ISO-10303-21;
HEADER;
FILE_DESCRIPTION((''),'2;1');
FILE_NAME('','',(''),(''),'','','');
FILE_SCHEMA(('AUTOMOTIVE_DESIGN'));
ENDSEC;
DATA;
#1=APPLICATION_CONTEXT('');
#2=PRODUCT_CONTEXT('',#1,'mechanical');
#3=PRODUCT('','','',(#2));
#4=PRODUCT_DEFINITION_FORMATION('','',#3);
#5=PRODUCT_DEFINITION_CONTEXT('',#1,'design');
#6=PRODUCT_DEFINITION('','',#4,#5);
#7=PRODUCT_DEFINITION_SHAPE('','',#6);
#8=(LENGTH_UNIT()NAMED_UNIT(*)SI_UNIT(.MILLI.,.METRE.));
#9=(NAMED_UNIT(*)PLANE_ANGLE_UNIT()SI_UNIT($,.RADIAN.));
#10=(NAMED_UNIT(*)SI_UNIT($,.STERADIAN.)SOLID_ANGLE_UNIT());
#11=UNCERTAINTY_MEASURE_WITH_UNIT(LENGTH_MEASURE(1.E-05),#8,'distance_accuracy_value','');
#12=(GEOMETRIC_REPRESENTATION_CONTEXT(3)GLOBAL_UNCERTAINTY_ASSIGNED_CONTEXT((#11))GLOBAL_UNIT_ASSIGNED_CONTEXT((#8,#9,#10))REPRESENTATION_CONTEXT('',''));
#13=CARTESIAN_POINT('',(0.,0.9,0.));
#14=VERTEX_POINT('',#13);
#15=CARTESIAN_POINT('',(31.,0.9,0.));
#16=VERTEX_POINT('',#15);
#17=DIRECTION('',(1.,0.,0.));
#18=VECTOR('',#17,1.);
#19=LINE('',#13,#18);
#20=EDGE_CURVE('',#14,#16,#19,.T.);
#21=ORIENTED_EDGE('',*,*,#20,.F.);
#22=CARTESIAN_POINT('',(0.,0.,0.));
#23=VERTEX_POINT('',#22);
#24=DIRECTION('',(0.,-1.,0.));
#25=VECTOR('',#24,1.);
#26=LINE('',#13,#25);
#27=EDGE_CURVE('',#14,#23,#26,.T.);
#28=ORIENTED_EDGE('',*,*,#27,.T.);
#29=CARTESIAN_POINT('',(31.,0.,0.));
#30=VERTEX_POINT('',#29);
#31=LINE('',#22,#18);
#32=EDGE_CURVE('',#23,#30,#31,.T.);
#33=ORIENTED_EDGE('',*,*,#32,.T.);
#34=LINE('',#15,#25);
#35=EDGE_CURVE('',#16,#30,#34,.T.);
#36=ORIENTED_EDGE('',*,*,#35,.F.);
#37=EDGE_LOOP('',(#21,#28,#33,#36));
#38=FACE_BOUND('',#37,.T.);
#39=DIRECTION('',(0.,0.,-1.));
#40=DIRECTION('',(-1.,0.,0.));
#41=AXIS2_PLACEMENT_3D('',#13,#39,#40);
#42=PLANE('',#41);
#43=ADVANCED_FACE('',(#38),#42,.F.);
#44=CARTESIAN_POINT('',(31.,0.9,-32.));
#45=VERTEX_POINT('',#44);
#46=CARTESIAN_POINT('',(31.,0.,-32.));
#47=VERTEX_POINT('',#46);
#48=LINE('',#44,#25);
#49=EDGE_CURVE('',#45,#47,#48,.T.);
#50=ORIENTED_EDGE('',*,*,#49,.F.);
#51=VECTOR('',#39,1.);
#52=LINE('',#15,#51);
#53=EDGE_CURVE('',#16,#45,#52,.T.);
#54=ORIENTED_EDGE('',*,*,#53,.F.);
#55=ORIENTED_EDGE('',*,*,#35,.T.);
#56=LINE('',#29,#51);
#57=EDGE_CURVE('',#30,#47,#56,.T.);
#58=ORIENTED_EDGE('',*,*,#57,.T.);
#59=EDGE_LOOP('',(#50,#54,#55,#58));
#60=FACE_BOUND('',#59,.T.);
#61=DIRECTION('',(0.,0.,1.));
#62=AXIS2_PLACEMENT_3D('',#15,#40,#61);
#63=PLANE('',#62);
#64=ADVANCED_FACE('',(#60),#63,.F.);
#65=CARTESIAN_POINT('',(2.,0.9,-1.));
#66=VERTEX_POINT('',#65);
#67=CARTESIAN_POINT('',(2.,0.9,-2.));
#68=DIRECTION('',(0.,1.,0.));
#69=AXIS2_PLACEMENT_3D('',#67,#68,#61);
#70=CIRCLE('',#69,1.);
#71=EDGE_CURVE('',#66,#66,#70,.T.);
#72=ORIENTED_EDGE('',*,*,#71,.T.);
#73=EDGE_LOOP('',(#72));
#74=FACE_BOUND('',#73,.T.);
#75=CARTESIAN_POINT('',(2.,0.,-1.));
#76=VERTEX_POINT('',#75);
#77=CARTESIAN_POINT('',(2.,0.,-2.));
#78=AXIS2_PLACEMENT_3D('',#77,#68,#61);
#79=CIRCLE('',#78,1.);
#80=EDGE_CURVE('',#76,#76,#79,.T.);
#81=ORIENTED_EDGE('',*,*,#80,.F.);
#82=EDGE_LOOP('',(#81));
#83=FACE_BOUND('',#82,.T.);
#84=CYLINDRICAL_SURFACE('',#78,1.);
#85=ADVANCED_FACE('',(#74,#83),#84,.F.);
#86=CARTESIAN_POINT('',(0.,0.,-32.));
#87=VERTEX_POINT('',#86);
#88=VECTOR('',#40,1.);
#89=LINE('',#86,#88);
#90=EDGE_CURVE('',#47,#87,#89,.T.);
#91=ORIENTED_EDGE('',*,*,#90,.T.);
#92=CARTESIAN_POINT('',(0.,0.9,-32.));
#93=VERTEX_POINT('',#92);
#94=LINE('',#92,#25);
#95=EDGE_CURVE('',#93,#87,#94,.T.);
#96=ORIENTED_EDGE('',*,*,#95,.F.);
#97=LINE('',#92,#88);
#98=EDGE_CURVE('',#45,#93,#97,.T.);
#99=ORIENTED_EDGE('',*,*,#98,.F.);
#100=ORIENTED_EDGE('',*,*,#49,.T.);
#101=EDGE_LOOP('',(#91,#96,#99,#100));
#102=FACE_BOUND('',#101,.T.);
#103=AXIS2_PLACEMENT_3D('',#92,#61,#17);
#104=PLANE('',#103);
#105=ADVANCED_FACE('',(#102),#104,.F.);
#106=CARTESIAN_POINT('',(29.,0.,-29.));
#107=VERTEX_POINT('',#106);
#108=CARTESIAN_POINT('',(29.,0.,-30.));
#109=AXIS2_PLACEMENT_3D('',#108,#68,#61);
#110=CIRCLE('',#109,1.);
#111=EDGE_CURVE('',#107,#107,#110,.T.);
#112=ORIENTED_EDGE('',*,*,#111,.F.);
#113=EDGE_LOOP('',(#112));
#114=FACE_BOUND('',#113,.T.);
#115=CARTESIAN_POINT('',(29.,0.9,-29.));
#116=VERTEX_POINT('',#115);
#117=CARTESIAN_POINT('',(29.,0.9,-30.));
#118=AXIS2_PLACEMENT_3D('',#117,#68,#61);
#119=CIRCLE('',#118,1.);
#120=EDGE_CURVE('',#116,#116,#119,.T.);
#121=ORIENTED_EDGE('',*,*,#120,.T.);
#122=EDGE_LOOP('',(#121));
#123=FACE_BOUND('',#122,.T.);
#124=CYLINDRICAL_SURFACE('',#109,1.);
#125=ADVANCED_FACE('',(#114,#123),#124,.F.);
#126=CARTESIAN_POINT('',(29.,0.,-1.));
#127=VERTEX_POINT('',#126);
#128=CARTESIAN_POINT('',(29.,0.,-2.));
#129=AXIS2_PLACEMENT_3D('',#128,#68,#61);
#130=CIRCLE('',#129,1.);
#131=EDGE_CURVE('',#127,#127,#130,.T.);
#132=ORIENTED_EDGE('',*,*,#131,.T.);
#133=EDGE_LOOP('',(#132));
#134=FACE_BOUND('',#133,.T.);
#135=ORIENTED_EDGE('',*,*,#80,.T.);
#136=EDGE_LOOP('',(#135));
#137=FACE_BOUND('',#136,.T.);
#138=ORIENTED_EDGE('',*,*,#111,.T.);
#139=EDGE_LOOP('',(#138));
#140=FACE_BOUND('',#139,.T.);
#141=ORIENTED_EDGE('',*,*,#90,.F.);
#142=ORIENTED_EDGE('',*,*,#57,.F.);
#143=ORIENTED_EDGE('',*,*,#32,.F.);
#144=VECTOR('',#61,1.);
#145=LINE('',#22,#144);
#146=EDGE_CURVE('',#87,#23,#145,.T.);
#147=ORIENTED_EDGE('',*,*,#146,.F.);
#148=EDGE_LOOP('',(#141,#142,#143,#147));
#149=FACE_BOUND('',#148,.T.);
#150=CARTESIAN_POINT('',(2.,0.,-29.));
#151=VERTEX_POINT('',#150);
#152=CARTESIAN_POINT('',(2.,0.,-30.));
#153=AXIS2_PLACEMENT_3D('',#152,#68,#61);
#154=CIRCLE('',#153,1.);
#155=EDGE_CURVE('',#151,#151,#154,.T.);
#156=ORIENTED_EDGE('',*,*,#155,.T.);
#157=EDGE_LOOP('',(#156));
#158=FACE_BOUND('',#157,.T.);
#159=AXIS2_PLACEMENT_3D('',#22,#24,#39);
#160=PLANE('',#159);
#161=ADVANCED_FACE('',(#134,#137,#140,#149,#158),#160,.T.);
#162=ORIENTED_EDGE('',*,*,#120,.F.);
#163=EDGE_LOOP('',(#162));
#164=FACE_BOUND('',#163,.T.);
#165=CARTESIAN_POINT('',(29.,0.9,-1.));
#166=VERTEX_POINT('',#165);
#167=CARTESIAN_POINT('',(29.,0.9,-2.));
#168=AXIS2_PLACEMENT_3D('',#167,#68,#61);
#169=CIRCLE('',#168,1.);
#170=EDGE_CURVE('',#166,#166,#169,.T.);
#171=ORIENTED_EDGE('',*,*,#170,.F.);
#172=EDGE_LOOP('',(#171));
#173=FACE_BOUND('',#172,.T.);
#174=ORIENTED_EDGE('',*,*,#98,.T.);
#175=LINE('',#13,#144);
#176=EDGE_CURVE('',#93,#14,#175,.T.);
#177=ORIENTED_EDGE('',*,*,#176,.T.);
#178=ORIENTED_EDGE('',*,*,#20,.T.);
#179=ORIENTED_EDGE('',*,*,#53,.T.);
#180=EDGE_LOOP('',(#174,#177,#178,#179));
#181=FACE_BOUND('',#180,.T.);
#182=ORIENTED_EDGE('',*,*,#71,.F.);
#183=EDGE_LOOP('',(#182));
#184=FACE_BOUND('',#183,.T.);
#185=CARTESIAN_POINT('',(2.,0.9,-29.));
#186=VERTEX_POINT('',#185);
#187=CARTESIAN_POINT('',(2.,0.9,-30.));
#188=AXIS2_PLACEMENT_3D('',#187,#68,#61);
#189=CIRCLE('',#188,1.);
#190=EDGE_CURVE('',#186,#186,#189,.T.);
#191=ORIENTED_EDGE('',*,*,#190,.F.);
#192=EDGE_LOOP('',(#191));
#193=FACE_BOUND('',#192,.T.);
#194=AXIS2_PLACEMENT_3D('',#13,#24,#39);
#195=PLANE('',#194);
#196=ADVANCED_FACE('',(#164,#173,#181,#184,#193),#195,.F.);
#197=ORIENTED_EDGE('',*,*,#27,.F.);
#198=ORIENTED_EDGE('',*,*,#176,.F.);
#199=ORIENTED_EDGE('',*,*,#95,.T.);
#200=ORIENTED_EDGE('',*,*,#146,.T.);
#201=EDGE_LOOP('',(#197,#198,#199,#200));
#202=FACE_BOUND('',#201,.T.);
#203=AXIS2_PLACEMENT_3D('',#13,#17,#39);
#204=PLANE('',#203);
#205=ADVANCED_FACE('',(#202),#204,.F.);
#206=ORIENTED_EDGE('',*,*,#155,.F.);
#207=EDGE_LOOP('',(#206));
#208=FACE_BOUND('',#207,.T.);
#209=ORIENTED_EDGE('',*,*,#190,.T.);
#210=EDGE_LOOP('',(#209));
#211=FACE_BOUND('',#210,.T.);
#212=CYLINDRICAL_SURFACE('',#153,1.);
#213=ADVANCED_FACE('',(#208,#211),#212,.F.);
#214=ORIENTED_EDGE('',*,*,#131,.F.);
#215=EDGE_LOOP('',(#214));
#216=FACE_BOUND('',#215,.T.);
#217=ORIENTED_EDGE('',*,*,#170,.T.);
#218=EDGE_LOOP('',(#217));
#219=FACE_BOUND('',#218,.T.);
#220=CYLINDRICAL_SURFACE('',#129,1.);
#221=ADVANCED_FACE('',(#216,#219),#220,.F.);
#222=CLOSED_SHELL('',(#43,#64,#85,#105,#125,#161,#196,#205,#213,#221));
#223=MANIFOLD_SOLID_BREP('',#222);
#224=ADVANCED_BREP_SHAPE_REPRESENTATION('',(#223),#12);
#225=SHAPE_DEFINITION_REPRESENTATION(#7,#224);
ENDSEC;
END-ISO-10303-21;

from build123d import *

# Parameters (mm, degrees)
SKETCH1_W           = 31
SKETCH1_H           = 32
BOSS_EXTRUDE1_DEPTH = 0.9
SKETCH2_R           = 1
CUT_EXTRUDE1_DEPTH  = 45.562428121


with BuildPart() as part:
    # Sketch1 → Boss-Extrude1 (new body)
    with BuildSketch(Plane(origin=(0, 0, 0), x_dir=(1, 0, 0), z_dir=(0, 1, 0))):
        with Locations((15.5, 16)):
            Rectangle(SKETCH1_W, SKETCH1_H)
    extrude(amount=BOSS_EXTRUDE1_DEPTH)

    # Sketch2 → Cut-Extrude1 (cut, through all)
    with BuildSketch(Plane(origin=(0, 0.9, 0), x_dir=(1, 0, 0), z_dir=(0, 1, 0))):
        with Locations(Location((2, 30, 0), (0, 0, 270))):
            Circle(SKETCH2_R)
        with Locations(Location((29, 30, 0), (0, 0, 270))):
            Circle(SKETCH2_R)
        with Locations(Location((29, 2, 0), (0, 0, 270))):
            Circle(SKETCH2_R)
        with Locations(Location((2, 2, 0), (0, 0, 270))):
            Circle(SKETCH2_R)
    extrude(amount=-CUT_EXTRUDE1_DEPTH, mode=Mode.SUBTRACT)


solid = part.part
